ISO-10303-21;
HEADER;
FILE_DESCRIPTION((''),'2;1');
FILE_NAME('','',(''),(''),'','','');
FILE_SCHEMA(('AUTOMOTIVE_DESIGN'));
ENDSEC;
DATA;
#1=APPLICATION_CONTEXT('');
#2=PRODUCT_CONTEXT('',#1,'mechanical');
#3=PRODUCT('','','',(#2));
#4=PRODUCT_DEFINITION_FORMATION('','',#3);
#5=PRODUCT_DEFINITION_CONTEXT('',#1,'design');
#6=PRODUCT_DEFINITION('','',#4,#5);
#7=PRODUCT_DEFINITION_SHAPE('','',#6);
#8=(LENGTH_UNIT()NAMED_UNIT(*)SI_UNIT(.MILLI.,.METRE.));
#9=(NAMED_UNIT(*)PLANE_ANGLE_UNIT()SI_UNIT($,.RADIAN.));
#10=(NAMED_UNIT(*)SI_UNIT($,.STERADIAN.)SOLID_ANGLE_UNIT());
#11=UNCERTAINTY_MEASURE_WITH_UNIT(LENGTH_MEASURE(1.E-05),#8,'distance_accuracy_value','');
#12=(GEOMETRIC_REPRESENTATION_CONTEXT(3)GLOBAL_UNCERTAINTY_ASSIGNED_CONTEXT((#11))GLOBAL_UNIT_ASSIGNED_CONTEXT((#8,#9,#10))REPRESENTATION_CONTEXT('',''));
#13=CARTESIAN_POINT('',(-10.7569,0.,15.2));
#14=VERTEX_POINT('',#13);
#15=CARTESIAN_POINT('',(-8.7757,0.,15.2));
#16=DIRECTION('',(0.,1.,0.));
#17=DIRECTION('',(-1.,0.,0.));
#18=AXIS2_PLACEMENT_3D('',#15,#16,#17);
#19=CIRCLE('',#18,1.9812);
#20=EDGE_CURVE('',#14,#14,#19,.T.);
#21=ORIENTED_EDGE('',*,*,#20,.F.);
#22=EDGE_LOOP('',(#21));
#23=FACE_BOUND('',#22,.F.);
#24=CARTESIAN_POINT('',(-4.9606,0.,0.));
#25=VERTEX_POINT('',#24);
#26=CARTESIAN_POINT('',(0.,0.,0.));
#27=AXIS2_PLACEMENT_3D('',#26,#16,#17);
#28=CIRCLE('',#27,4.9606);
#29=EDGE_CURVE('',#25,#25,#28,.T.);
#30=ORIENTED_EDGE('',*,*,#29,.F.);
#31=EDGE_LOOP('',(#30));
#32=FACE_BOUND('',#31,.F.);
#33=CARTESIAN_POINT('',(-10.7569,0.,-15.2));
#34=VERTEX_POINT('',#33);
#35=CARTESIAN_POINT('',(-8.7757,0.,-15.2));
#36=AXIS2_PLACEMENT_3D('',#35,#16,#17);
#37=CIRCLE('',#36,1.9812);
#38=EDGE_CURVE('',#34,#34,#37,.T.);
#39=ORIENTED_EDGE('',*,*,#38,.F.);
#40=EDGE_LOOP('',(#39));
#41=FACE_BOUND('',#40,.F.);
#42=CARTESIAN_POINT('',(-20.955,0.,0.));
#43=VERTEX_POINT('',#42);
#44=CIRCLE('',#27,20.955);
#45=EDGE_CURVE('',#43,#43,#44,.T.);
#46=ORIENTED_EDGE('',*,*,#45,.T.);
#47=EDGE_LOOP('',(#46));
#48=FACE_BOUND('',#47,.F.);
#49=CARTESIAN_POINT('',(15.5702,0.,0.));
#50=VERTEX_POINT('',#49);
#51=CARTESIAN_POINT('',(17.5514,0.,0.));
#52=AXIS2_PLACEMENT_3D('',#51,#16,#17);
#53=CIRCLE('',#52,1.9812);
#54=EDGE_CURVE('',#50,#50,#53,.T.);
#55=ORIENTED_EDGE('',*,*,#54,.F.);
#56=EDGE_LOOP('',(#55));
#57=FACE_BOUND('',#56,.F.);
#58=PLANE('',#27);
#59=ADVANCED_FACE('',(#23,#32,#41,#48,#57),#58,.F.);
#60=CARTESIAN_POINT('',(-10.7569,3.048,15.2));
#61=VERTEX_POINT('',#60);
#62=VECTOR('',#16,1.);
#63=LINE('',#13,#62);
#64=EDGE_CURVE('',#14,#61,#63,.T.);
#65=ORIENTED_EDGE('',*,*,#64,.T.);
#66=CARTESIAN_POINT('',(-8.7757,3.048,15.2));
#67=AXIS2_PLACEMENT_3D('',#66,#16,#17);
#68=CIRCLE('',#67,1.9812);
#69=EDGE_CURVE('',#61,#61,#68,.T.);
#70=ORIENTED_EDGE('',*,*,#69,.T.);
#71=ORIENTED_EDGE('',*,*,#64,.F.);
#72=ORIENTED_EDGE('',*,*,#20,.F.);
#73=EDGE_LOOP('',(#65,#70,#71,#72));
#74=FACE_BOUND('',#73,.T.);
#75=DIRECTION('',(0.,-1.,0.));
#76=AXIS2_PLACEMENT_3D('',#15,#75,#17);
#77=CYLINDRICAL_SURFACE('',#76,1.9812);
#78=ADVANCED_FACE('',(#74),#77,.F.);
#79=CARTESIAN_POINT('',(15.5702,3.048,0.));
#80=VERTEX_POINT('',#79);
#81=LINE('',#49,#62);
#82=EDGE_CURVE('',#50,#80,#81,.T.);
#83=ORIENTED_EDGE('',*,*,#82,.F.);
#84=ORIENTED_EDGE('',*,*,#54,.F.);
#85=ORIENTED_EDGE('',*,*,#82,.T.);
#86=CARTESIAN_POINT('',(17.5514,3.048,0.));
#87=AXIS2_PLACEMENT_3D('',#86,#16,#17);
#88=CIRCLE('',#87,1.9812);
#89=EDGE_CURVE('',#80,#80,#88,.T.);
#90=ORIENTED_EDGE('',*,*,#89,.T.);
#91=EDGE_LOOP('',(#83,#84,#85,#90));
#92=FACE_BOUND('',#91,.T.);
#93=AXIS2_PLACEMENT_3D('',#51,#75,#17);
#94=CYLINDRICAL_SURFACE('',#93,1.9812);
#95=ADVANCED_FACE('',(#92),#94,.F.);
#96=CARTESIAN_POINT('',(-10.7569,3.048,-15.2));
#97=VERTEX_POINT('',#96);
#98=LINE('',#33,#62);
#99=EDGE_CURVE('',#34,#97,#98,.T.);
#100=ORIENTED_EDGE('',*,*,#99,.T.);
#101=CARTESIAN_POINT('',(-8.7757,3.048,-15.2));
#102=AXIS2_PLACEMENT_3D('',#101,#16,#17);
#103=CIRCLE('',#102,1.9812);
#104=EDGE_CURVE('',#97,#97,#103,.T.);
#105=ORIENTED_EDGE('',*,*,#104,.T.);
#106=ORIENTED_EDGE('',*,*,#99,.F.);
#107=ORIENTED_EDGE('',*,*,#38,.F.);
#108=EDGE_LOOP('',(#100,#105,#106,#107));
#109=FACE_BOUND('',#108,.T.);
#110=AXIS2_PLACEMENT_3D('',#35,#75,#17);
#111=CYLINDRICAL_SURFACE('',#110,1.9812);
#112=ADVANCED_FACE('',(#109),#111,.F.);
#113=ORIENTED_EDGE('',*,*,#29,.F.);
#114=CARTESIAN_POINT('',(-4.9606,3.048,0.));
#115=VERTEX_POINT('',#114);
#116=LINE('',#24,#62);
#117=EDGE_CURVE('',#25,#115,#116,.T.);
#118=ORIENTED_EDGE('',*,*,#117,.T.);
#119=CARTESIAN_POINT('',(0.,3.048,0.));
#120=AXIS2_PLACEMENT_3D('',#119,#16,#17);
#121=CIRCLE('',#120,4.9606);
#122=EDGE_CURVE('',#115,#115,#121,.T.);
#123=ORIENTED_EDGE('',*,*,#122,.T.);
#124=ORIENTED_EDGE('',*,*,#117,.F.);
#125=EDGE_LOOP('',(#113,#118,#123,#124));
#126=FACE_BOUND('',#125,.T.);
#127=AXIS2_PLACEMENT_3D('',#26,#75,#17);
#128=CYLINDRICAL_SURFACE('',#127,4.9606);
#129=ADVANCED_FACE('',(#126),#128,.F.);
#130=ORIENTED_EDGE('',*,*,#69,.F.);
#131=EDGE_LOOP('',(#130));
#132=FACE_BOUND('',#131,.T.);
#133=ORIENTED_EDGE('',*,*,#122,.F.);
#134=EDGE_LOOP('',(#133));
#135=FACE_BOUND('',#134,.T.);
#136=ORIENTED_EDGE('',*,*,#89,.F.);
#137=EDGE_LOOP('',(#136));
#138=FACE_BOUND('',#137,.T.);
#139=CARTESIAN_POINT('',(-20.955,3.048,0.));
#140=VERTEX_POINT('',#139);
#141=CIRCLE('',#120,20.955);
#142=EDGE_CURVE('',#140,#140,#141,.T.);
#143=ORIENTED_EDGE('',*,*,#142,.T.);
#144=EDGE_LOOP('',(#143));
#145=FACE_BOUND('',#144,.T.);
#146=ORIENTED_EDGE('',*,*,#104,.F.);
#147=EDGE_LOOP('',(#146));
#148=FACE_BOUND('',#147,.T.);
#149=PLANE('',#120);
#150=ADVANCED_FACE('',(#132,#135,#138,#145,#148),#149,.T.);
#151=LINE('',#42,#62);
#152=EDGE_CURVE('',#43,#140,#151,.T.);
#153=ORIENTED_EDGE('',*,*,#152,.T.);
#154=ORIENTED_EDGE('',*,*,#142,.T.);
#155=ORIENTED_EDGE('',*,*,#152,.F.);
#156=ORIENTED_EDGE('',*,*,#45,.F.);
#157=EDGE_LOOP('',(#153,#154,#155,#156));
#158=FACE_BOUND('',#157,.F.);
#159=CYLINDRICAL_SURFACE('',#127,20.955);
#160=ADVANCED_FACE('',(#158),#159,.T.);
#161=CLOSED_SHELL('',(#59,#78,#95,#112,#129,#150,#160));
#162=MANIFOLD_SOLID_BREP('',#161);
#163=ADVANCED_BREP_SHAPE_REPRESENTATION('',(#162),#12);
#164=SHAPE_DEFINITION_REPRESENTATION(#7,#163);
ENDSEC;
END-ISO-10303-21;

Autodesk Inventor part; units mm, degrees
ref_plane "YZ Plane" through (0, 0, 0) normal (1, 0, 0) x (0, 1, 0)
ref_plane "XZ Plane" through (0, 0, 0) normal (0, 1, 0) x (-1, 0, 0)
ref_plane "XY Plane" through (0, 0, 0) normal (0, 0, 1) x (1, 0, 0)
sketch "Sketch1" plane through (0, 0, 0) normal (0, 1, 0) x (-1, 0, 0)
  circle A0 centre (0, 0) radius 20.955
  circle A1 centre (0, 0) radius 4.9606
  circle A2 centre (-17.5514, 0) radius 1.9812
  circle A3 centre (8.7757, -15.2) radius 1.9812
  circle A4 centre (8.7757, 15.2) radius 1.9812
  dimension "d0" = 41.91
  dimension "d1" = 9.9212
  dimension "d2" = 3.9624
  dimension "d5" = 360
extrude "Plate1" add sketch "Sketch1" along normal blind 3.048
equation "\"d7\" = Thickness"
equation "\"BendRadius\" = Thickness"
equation "\"BendReliefWidth\" = Thickness"
equation "\"BendReliefDepth\" = 0.5 * Thickness"
equation "\"CornerReliefSize\" = 4 * Thickness"
equation "\"MinimumRemnant\" = 2 * Thickness"
equation "\"TransitionRadius\" = BendRadius"
equation "\"JacobiRadiusSize\" = BendRadius"
equation "\"GapSize\" = Thickness"
equation "\"Thickness\" = 3.048"
properties part number "disk-sheet-b"
